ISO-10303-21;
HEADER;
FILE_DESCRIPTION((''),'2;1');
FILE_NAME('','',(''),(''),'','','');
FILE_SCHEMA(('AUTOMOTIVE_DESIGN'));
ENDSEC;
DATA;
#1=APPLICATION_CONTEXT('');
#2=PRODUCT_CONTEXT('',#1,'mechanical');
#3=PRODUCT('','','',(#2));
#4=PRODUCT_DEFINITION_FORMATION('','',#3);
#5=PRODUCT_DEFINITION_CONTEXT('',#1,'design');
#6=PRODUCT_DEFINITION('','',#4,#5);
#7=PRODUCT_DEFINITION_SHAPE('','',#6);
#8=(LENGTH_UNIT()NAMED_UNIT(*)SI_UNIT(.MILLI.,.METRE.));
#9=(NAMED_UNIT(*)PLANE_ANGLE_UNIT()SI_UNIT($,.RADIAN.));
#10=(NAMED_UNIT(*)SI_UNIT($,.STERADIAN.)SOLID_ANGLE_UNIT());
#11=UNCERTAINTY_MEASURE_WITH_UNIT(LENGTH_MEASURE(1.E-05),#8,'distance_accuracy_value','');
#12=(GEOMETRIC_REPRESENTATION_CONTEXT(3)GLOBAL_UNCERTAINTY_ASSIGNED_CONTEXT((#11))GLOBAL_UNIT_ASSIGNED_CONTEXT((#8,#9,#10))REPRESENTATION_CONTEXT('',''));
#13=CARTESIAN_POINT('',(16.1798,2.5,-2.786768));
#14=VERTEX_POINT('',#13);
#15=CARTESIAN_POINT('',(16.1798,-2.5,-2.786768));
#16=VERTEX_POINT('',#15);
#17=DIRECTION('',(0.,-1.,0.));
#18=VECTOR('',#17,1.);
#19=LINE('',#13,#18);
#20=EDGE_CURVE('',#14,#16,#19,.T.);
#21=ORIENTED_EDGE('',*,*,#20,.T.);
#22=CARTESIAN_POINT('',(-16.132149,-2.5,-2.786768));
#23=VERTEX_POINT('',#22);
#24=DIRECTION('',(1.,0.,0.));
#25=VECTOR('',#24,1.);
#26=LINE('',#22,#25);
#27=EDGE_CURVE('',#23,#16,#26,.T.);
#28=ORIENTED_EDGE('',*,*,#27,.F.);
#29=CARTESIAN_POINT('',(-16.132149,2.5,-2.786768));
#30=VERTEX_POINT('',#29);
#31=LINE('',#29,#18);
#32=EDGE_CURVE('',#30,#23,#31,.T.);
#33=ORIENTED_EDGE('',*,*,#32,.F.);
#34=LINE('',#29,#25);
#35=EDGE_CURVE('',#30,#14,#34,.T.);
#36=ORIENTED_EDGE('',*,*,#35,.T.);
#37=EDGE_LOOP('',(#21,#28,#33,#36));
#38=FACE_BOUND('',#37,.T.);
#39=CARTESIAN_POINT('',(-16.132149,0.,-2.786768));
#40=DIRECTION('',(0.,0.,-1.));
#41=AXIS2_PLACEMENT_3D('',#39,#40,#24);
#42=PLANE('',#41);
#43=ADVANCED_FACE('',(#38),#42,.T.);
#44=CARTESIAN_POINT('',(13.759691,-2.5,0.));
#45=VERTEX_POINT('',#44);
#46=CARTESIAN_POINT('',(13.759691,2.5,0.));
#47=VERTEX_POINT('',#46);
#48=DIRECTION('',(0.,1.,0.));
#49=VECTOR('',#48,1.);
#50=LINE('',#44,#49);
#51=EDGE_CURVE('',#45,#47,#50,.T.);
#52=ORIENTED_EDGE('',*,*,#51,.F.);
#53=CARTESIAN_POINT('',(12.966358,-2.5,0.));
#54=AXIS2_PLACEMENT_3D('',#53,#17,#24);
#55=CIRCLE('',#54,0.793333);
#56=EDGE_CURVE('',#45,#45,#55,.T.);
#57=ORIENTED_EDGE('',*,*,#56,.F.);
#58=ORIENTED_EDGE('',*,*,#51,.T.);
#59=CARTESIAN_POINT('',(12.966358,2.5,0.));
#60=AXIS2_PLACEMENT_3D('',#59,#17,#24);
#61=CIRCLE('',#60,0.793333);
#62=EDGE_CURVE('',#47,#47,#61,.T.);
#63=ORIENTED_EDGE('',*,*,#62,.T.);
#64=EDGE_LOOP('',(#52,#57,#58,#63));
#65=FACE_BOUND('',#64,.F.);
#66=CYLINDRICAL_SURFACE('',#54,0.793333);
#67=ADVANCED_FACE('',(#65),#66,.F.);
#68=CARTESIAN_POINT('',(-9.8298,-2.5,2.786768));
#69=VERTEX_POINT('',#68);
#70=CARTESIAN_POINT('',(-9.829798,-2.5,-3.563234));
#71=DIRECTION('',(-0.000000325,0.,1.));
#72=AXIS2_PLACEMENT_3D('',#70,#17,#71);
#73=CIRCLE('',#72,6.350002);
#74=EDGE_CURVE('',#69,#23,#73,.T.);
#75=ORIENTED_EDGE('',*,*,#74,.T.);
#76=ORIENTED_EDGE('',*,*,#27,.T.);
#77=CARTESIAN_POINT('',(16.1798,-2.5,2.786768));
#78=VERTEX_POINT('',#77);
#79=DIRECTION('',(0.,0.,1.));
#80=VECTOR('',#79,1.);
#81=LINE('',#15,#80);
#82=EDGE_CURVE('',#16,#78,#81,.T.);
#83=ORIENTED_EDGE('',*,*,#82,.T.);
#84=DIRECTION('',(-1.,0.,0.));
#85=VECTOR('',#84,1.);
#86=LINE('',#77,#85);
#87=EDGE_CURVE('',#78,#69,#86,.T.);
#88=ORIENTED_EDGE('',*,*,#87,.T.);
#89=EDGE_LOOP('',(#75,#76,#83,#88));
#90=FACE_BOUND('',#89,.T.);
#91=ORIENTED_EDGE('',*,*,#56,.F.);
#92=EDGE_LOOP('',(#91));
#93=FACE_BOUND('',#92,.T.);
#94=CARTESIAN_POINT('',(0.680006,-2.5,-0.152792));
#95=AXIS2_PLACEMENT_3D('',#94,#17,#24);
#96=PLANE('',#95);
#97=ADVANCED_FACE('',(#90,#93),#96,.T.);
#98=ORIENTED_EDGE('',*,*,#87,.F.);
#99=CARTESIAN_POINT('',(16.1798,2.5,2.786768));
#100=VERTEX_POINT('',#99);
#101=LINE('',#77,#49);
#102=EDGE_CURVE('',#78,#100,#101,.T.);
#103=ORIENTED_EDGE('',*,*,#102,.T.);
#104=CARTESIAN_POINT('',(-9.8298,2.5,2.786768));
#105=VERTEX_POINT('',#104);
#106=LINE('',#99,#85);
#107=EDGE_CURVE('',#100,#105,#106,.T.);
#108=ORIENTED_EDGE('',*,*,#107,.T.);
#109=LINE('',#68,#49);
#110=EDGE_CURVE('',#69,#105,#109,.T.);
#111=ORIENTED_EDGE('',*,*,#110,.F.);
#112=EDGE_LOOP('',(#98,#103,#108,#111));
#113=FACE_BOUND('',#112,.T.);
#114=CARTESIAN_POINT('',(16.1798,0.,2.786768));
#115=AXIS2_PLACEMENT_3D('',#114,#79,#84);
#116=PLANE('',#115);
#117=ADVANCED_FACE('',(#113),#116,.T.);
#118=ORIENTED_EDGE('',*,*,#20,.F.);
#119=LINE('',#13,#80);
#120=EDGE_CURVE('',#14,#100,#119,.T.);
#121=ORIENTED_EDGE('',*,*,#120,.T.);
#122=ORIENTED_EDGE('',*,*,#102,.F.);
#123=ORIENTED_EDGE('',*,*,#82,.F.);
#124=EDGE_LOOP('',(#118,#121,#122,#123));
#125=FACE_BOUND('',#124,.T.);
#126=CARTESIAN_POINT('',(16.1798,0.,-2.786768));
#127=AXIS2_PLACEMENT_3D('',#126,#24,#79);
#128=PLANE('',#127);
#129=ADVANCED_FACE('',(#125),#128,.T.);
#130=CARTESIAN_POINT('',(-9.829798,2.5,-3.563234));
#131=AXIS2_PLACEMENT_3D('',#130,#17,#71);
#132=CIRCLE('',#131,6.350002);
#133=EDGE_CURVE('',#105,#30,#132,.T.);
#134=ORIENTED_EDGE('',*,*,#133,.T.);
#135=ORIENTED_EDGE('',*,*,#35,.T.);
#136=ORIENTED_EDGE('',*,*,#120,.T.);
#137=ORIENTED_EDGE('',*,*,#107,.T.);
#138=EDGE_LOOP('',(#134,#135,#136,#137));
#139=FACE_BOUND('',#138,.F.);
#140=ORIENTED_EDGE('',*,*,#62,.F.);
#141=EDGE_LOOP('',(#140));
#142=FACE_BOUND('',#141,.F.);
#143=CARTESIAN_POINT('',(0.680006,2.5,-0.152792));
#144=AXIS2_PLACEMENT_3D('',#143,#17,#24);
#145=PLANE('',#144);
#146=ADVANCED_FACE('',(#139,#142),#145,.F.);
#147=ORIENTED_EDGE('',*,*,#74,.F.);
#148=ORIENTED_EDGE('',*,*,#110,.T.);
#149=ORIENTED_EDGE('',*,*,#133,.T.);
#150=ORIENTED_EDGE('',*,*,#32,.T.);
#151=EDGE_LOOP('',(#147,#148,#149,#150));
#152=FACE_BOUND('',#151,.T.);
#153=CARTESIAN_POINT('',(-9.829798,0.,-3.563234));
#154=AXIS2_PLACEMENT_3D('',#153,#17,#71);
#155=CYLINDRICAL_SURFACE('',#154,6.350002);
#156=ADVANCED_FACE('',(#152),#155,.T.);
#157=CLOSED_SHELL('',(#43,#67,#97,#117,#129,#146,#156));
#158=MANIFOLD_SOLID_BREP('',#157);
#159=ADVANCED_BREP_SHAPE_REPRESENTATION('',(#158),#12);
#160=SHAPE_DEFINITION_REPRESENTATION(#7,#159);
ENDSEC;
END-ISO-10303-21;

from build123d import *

# Parameters (mm, degrees)
F1_DEPTH = 2.5
F2_R     = 0.793333
F3_DEPTH = 25


with BuildPart() as f1:
    # F0 (on Front) → F1 (new body, symmetric)
    with BuildSketch(Plane.XZ):
        with BuildLine():
            ThreePointArc((-9.8298, 2.786768), (-14.036458, 1.193502), (-16.132149, -2.786768))
            Line((-16.132149, -2.786768), (16.1798, -2.786768))
            Line((16.1798, -2.786768), (16.1798, 2.786768))
            Line((16.1798, 2.786768), (-9.8298, 2.786768))
        make_face()
    extrude(amount=F1_DEPTH, both=True)

    # F2 (on face) → F3 (cut)
    with BuildSketch(Plane.XZ.offset(2.5)):
        with Locations((12.966358, 0)):
            Circle(F2_R)
    extrude(amount=-F3_DEPTH, mode=Mode.SUBTRACT)


solid = f1.part
